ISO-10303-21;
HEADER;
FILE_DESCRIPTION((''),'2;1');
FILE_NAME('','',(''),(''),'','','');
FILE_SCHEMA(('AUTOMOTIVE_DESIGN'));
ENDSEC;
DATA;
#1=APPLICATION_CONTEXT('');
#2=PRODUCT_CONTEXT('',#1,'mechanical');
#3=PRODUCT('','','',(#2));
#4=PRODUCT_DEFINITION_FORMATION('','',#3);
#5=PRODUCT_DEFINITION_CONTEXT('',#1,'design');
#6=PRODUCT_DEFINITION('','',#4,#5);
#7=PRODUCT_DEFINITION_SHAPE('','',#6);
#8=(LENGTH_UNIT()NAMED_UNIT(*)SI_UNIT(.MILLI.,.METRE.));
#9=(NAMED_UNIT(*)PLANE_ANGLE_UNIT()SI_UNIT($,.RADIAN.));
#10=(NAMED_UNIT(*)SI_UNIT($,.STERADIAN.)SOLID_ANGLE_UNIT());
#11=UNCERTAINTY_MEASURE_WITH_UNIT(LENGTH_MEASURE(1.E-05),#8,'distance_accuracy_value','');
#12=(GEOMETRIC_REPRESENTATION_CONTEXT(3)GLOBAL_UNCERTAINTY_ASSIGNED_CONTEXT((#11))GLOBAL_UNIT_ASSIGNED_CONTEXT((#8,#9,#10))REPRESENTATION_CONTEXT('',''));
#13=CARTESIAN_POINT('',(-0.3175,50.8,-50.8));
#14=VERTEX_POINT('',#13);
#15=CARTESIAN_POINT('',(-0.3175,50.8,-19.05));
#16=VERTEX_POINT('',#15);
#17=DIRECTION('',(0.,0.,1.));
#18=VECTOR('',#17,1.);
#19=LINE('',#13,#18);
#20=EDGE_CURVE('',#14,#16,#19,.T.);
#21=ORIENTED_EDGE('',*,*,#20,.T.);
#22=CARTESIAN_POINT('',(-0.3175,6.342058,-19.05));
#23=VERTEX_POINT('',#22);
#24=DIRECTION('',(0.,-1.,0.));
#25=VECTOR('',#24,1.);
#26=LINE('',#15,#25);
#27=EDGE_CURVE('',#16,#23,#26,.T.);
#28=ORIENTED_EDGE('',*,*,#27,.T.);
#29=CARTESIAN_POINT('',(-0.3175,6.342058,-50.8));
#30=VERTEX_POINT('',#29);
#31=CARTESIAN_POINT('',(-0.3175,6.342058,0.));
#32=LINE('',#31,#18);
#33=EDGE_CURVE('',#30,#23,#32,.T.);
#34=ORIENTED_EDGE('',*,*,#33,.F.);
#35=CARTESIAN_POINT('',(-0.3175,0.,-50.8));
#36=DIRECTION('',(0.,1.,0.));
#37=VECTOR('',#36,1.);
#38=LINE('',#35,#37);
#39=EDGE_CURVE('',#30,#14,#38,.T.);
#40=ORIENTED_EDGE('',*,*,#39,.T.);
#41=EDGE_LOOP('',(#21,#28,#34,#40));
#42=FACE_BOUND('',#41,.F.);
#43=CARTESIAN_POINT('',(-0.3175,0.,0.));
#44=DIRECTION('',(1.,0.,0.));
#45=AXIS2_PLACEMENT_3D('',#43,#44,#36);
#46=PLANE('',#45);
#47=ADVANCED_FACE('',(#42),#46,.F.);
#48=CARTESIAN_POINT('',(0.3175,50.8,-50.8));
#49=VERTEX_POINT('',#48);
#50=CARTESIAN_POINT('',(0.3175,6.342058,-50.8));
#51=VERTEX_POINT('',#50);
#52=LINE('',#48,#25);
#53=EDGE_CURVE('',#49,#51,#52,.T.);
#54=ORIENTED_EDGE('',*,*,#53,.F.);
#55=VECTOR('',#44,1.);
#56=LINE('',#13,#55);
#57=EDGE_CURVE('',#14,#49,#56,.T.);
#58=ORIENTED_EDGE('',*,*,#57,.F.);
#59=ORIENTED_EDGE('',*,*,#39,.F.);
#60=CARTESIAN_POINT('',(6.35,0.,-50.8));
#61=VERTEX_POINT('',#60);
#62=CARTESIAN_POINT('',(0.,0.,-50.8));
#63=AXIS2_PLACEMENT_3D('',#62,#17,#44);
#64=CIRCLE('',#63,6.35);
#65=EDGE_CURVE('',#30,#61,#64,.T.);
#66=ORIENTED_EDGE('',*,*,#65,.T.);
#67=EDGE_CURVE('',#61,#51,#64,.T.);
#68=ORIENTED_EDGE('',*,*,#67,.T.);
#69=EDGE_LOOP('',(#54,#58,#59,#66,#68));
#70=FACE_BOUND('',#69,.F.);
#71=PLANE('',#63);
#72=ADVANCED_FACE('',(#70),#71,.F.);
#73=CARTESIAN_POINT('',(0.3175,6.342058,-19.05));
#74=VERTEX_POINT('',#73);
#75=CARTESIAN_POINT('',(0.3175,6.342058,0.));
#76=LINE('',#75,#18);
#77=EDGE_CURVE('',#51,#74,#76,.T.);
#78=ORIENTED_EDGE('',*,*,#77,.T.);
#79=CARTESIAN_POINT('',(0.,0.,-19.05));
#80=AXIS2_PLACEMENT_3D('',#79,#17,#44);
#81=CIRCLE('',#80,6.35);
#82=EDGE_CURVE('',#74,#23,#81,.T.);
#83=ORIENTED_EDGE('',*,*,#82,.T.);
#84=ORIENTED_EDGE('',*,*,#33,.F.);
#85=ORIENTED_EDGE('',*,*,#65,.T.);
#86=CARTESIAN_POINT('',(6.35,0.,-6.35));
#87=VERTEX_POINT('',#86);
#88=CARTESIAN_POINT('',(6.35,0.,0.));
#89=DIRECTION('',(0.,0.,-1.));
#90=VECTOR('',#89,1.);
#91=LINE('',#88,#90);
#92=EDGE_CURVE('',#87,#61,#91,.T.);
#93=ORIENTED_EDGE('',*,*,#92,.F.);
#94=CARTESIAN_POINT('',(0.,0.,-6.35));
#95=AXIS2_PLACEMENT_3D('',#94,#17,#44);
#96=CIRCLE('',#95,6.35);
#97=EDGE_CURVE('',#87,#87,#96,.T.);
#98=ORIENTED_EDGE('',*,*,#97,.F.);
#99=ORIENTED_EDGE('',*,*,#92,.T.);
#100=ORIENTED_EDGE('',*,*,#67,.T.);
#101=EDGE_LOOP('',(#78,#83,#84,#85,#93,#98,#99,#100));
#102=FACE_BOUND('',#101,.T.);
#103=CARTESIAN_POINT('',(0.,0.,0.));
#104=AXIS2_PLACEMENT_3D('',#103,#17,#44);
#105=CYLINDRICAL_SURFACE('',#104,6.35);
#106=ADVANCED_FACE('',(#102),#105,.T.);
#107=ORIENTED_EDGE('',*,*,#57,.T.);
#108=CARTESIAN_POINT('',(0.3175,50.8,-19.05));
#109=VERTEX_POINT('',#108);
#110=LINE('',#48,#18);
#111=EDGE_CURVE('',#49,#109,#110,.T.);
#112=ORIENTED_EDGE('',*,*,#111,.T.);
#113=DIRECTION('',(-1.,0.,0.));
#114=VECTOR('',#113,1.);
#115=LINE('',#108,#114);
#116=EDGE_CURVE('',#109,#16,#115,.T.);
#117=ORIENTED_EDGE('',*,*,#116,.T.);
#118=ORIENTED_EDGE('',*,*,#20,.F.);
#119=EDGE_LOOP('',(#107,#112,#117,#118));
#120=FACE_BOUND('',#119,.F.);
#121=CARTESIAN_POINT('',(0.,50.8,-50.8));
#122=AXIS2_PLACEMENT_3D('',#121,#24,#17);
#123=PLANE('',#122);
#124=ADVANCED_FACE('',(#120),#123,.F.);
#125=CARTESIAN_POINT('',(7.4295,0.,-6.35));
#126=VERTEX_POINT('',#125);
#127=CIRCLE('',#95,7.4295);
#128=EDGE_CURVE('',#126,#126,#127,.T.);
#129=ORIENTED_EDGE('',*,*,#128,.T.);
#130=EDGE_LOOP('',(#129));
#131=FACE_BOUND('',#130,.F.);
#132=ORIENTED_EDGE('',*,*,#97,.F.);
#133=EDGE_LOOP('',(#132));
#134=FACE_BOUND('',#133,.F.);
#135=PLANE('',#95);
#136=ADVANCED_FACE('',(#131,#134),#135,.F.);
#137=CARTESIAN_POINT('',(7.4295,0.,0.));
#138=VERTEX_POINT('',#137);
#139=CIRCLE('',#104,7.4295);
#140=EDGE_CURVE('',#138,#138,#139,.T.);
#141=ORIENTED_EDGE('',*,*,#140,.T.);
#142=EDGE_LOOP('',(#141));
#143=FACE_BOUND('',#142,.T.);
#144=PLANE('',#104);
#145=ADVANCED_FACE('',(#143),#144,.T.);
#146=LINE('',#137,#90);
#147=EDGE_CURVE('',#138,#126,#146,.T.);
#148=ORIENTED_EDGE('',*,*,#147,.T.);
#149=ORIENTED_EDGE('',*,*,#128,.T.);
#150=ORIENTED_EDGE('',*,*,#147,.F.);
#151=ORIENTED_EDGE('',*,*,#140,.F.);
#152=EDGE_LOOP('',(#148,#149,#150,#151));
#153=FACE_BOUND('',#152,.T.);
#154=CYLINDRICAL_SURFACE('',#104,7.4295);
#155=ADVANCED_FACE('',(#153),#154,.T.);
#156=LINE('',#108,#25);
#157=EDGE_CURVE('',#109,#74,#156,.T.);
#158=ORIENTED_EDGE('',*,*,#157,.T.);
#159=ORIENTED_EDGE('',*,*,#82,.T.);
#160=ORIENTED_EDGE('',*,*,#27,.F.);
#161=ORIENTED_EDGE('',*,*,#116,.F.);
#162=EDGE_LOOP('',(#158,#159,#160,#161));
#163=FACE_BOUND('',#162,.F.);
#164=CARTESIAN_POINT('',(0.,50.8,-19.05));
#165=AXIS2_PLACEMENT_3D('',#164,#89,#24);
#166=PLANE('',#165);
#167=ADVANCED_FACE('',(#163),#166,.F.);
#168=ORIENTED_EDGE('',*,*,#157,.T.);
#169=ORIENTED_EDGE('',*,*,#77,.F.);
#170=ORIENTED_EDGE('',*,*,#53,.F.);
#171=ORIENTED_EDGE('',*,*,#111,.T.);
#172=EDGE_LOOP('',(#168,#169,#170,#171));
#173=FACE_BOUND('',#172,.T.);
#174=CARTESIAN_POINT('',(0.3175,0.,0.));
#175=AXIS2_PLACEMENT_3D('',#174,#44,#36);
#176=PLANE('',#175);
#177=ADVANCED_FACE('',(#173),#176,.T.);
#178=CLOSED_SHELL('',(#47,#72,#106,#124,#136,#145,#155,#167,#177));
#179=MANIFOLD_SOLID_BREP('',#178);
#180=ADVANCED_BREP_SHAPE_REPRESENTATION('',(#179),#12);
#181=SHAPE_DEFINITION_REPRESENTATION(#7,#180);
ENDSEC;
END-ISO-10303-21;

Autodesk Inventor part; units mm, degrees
ref_plane "YZ Plane" through (0, 0, 0) normal (1, 0, 0) x (0, 1, 0)
ref_plane "XZ Plane" through (0, 0, 0) normal (0, 1, 0) x (-1, 0, 0)
ref_plane "XY Plane" through (0, 0, 0) normal (0, 0, 1) x (1, 0, 0)
sketch "Sketch1" plane through (0, 0, 0) normal (0, 0, 1) x (1, 0, 0)
  circle A0 centre (0, 0) radius 6.35
  dimension "d0" = 12.7
extrude "Extrusion1" add sketch "Sketch1" against normal blind 50.8
sketch "Sketch2" plane through (0, 0, 0) normal (0, 0, 1) x (1, 0, 0)
  circle A0 centre (0, 0) radius 7.4295
  dimension "d3" = 14.859
extrude "Extrusion3" add sketch "Sketch2" against normal blind 6.35
sketch "Sketch3" plane through (0, 0, 0) normal (1, 0, 0) x (0, 1, 0)
  line L0 (-6.35, -50.8) -> (6.35, -50.8) projected
  line L1 (0, -50.8) -> (50.8, -50.8)
  line L2 (50.8, -50.8) -> (50.8, -19.05)
  line L3 (50.8, -19.05) -> (0, -19.05)
  line L4 (0, -19.05) -> (0, -50.8)
  line L5 (7.4295, 0) -> (-7.4295, 0) projected
  point P0 (0, 0)
  dimension "d8" = 19.05
  dimension "d9" = 50.8
extrude "Extrusion4" add sketch "Sketch3" along normal mid plane 0.635
properties part number "portionOfShade" material "PC/ABS Plastic"
